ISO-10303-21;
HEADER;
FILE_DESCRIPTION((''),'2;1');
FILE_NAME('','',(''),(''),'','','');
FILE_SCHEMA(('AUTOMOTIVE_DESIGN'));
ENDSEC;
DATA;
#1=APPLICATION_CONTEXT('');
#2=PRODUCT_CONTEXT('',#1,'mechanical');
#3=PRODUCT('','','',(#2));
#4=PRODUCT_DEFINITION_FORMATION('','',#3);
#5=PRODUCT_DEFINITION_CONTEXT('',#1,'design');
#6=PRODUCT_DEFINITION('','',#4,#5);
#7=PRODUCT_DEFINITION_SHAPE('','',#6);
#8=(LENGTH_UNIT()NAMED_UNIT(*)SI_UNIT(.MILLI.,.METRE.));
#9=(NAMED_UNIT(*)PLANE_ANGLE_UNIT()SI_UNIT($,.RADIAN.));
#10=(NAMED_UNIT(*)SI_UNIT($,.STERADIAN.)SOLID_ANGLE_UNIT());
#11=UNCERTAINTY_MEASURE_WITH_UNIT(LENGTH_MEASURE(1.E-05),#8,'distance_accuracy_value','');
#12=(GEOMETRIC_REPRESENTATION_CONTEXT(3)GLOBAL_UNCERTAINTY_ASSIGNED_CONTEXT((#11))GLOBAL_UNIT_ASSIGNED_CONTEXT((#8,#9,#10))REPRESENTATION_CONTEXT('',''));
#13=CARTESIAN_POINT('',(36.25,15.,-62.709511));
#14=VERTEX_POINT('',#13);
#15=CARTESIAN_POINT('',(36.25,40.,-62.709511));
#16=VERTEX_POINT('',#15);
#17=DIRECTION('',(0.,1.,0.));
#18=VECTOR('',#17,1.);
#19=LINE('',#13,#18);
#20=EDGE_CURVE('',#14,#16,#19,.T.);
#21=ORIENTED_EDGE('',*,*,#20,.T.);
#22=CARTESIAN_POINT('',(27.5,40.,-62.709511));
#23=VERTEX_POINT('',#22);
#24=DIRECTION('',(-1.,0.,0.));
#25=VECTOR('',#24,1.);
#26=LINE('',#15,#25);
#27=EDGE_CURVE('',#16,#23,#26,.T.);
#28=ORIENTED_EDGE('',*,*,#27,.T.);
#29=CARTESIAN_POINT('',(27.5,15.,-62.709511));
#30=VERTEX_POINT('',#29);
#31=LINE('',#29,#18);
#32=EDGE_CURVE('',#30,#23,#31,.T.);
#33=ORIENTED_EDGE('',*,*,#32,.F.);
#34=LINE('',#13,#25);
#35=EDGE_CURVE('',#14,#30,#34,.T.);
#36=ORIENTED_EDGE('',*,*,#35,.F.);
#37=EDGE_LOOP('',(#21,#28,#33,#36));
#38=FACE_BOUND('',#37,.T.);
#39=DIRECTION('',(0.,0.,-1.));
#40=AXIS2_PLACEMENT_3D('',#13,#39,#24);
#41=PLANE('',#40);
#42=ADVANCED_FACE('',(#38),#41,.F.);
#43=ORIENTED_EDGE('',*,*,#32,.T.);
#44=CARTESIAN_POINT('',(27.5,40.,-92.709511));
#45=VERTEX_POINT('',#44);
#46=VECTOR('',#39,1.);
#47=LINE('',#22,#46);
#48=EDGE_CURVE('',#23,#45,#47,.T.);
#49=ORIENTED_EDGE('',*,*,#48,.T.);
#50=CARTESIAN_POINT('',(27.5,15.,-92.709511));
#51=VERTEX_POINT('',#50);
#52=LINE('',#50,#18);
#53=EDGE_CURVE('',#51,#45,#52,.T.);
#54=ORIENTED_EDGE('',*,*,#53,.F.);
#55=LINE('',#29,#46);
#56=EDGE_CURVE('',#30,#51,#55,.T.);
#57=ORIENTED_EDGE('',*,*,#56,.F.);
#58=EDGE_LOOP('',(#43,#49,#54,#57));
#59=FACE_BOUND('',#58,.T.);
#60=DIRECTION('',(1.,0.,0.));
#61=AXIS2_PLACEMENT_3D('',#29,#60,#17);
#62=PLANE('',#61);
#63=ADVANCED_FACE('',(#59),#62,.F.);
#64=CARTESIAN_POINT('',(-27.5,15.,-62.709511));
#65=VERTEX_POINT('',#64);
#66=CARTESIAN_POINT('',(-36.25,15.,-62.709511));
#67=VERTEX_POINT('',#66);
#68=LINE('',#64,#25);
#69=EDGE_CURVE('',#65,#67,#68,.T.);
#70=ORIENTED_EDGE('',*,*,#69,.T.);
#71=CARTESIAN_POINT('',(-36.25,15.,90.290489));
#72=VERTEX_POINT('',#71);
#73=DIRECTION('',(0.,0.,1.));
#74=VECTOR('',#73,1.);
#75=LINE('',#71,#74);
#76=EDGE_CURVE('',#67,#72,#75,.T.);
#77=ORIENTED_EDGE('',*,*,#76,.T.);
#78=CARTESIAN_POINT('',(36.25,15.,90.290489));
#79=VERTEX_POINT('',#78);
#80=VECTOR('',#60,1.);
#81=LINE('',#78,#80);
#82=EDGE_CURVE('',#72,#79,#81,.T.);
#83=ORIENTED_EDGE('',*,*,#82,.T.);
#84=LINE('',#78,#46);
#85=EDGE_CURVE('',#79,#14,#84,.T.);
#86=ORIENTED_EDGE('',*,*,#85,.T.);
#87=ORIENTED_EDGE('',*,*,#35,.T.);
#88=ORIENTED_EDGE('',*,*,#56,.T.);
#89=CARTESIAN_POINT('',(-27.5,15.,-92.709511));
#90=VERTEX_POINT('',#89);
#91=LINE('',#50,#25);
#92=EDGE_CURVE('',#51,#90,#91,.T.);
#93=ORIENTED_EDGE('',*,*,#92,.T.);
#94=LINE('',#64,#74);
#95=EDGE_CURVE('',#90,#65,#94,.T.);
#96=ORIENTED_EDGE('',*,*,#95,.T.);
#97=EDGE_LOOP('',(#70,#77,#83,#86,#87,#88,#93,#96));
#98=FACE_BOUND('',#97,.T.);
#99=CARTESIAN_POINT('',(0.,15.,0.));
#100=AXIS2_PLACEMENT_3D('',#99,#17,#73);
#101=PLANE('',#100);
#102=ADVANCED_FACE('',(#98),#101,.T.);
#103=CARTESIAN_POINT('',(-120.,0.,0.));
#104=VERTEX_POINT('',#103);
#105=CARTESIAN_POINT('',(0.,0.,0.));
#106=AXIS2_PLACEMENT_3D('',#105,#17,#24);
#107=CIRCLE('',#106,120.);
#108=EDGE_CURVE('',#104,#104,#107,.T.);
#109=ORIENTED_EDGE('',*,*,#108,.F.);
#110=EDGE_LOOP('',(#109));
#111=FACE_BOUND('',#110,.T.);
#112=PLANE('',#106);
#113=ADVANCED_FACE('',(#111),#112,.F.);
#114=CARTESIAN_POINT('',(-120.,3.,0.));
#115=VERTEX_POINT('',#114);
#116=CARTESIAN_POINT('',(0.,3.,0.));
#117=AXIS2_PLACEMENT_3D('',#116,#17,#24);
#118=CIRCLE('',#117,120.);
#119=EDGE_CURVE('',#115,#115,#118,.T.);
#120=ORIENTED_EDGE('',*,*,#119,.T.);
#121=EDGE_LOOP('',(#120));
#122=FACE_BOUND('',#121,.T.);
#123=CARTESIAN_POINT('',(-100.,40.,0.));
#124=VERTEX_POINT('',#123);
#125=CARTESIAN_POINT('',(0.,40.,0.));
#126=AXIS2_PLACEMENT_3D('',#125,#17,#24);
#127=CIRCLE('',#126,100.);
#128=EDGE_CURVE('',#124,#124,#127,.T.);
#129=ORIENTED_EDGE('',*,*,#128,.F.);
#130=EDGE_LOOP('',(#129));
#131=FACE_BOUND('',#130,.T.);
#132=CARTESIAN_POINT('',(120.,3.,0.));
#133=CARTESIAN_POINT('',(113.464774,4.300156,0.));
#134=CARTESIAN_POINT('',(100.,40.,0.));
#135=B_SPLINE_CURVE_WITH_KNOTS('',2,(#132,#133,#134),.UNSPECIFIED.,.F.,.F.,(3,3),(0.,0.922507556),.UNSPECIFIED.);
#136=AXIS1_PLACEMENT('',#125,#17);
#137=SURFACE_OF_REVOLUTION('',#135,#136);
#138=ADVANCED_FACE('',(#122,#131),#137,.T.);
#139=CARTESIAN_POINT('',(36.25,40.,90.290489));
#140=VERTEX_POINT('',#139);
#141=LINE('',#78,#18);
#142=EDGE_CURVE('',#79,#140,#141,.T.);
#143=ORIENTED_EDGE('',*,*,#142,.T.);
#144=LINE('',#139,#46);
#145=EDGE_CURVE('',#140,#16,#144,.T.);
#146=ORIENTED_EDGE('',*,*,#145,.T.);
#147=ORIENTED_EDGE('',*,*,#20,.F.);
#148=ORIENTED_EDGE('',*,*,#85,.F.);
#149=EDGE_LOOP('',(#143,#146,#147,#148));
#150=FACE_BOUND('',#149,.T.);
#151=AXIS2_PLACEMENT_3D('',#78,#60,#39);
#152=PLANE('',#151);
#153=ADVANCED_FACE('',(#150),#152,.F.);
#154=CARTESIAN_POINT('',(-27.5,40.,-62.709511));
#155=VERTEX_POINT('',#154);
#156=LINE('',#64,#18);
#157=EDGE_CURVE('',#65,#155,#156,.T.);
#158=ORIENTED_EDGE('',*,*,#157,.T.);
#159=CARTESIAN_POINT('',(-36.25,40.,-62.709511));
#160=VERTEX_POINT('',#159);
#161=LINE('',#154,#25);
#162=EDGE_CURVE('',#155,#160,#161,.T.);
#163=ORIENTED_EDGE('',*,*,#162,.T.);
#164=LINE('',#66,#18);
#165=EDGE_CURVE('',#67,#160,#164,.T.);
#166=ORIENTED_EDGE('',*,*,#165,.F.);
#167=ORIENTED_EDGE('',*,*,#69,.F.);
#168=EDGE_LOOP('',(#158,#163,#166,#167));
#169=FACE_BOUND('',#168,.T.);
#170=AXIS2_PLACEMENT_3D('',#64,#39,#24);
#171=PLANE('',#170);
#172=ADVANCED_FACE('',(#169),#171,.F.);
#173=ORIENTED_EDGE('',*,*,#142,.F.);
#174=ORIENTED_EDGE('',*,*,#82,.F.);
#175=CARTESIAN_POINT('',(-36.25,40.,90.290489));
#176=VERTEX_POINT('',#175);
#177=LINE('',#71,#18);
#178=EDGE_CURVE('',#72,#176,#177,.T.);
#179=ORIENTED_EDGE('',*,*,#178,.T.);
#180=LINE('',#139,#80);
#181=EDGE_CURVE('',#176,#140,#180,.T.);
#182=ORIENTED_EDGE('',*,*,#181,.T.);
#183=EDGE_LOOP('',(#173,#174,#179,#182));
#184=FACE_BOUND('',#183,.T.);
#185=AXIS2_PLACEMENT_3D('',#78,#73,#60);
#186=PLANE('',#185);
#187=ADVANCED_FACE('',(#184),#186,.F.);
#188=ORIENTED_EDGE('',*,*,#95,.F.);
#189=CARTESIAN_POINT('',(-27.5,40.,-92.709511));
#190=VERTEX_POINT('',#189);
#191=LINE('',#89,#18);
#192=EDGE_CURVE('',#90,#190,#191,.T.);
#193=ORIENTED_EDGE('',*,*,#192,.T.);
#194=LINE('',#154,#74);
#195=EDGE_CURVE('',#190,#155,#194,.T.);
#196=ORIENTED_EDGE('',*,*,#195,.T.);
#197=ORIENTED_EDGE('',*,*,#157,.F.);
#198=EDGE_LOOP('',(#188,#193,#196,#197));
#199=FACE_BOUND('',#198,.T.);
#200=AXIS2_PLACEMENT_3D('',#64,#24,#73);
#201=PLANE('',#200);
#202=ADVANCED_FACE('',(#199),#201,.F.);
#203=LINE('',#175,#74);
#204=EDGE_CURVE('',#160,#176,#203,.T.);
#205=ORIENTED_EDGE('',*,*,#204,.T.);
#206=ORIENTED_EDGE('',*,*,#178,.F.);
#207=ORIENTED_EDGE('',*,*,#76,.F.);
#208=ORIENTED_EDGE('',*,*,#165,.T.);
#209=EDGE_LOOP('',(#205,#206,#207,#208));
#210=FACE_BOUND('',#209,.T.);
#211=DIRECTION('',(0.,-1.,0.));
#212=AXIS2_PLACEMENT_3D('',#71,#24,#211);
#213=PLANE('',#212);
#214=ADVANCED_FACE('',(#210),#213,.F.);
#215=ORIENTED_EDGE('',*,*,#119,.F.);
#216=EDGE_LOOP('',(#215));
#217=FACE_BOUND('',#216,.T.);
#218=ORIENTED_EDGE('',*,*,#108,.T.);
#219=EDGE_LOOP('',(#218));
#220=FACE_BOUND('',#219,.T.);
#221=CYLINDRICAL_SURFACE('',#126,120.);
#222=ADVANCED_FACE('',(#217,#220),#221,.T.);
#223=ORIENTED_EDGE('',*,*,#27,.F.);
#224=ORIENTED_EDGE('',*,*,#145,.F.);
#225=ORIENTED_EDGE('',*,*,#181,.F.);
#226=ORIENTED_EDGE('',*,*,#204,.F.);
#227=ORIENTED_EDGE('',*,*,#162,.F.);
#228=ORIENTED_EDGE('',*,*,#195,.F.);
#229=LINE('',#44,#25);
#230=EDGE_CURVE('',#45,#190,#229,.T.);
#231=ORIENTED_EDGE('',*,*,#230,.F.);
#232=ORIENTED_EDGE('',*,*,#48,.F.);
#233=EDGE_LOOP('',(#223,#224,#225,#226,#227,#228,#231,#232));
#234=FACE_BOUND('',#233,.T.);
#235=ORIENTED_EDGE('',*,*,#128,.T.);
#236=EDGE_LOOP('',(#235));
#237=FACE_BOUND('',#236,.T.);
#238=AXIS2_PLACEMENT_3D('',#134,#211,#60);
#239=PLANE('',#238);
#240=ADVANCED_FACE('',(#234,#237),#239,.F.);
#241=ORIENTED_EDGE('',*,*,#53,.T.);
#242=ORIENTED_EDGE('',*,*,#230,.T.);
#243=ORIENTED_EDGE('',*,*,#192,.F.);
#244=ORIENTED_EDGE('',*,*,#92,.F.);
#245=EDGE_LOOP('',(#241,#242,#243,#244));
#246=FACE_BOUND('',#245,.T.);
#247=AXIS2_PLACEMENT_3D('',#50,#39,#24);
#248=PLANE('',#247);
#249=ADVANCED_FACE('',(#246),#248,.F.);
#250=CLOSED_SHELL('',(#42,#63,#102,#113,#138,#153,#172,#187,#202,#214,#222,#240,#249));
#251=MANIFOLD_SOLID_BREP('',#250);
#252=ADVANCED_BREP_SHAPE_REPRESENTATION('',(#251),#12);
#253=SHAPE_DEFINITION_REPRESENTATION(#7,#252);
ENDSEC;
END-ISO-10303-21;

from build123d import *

# Parameters (mm, degrees)
CUT_EXTRUDE_1_DEPTH = 25


with BuildPart() as part:
    # 草图1 → 旋转2 (revolve)
    with BuildSketch(Plane.XY, mode=Mode.PRIVATE) as revolve_2_sk:
        with BuildLine():
            Line((0, 0), (120, 0))
            Line((120, 0), (120, 3))
            add(Edge.make_bspline(
                [(100, 40), (113.464773616, 4.300155843), (120, 3)],
                knots=[0, 0, 0, 0.922507556, 0.922507556, 0.922507556], degree=2))
            Line((100, 40), (0, 40))
            Line((0, 40), (0, 0))
        make_face()
    revolve(revolve_2_sk.sketch.rotate(Axis((0, 40, 0), (0, -1, 0)), 180), axis=Axis((0, 40, 0), (0, -1, 0)))  # turned: the seam where the file's is

    # 草图2 → 切除-拉伸1 (cut)
    with BuildSketch(Plane(origin=(0, 40, 0), x_dir=(1, 0, 0), z_dir=(0, 1, 0))):
        Polygon((36.25, -90.290489125), (-36.25, -90.290489125), (-36.25, 62.709510875), (-27.5, 62.709510875), (-27.5, 92.709510875), (27.5, 92.709510875), (27.5, 62.709510875), (36.25, 62.709510875), align=None)
    extrude(amount=-CUT_EXTRUDE_1_DEPTH, mode=Mode.SUBTRACT)


solid = part.part
